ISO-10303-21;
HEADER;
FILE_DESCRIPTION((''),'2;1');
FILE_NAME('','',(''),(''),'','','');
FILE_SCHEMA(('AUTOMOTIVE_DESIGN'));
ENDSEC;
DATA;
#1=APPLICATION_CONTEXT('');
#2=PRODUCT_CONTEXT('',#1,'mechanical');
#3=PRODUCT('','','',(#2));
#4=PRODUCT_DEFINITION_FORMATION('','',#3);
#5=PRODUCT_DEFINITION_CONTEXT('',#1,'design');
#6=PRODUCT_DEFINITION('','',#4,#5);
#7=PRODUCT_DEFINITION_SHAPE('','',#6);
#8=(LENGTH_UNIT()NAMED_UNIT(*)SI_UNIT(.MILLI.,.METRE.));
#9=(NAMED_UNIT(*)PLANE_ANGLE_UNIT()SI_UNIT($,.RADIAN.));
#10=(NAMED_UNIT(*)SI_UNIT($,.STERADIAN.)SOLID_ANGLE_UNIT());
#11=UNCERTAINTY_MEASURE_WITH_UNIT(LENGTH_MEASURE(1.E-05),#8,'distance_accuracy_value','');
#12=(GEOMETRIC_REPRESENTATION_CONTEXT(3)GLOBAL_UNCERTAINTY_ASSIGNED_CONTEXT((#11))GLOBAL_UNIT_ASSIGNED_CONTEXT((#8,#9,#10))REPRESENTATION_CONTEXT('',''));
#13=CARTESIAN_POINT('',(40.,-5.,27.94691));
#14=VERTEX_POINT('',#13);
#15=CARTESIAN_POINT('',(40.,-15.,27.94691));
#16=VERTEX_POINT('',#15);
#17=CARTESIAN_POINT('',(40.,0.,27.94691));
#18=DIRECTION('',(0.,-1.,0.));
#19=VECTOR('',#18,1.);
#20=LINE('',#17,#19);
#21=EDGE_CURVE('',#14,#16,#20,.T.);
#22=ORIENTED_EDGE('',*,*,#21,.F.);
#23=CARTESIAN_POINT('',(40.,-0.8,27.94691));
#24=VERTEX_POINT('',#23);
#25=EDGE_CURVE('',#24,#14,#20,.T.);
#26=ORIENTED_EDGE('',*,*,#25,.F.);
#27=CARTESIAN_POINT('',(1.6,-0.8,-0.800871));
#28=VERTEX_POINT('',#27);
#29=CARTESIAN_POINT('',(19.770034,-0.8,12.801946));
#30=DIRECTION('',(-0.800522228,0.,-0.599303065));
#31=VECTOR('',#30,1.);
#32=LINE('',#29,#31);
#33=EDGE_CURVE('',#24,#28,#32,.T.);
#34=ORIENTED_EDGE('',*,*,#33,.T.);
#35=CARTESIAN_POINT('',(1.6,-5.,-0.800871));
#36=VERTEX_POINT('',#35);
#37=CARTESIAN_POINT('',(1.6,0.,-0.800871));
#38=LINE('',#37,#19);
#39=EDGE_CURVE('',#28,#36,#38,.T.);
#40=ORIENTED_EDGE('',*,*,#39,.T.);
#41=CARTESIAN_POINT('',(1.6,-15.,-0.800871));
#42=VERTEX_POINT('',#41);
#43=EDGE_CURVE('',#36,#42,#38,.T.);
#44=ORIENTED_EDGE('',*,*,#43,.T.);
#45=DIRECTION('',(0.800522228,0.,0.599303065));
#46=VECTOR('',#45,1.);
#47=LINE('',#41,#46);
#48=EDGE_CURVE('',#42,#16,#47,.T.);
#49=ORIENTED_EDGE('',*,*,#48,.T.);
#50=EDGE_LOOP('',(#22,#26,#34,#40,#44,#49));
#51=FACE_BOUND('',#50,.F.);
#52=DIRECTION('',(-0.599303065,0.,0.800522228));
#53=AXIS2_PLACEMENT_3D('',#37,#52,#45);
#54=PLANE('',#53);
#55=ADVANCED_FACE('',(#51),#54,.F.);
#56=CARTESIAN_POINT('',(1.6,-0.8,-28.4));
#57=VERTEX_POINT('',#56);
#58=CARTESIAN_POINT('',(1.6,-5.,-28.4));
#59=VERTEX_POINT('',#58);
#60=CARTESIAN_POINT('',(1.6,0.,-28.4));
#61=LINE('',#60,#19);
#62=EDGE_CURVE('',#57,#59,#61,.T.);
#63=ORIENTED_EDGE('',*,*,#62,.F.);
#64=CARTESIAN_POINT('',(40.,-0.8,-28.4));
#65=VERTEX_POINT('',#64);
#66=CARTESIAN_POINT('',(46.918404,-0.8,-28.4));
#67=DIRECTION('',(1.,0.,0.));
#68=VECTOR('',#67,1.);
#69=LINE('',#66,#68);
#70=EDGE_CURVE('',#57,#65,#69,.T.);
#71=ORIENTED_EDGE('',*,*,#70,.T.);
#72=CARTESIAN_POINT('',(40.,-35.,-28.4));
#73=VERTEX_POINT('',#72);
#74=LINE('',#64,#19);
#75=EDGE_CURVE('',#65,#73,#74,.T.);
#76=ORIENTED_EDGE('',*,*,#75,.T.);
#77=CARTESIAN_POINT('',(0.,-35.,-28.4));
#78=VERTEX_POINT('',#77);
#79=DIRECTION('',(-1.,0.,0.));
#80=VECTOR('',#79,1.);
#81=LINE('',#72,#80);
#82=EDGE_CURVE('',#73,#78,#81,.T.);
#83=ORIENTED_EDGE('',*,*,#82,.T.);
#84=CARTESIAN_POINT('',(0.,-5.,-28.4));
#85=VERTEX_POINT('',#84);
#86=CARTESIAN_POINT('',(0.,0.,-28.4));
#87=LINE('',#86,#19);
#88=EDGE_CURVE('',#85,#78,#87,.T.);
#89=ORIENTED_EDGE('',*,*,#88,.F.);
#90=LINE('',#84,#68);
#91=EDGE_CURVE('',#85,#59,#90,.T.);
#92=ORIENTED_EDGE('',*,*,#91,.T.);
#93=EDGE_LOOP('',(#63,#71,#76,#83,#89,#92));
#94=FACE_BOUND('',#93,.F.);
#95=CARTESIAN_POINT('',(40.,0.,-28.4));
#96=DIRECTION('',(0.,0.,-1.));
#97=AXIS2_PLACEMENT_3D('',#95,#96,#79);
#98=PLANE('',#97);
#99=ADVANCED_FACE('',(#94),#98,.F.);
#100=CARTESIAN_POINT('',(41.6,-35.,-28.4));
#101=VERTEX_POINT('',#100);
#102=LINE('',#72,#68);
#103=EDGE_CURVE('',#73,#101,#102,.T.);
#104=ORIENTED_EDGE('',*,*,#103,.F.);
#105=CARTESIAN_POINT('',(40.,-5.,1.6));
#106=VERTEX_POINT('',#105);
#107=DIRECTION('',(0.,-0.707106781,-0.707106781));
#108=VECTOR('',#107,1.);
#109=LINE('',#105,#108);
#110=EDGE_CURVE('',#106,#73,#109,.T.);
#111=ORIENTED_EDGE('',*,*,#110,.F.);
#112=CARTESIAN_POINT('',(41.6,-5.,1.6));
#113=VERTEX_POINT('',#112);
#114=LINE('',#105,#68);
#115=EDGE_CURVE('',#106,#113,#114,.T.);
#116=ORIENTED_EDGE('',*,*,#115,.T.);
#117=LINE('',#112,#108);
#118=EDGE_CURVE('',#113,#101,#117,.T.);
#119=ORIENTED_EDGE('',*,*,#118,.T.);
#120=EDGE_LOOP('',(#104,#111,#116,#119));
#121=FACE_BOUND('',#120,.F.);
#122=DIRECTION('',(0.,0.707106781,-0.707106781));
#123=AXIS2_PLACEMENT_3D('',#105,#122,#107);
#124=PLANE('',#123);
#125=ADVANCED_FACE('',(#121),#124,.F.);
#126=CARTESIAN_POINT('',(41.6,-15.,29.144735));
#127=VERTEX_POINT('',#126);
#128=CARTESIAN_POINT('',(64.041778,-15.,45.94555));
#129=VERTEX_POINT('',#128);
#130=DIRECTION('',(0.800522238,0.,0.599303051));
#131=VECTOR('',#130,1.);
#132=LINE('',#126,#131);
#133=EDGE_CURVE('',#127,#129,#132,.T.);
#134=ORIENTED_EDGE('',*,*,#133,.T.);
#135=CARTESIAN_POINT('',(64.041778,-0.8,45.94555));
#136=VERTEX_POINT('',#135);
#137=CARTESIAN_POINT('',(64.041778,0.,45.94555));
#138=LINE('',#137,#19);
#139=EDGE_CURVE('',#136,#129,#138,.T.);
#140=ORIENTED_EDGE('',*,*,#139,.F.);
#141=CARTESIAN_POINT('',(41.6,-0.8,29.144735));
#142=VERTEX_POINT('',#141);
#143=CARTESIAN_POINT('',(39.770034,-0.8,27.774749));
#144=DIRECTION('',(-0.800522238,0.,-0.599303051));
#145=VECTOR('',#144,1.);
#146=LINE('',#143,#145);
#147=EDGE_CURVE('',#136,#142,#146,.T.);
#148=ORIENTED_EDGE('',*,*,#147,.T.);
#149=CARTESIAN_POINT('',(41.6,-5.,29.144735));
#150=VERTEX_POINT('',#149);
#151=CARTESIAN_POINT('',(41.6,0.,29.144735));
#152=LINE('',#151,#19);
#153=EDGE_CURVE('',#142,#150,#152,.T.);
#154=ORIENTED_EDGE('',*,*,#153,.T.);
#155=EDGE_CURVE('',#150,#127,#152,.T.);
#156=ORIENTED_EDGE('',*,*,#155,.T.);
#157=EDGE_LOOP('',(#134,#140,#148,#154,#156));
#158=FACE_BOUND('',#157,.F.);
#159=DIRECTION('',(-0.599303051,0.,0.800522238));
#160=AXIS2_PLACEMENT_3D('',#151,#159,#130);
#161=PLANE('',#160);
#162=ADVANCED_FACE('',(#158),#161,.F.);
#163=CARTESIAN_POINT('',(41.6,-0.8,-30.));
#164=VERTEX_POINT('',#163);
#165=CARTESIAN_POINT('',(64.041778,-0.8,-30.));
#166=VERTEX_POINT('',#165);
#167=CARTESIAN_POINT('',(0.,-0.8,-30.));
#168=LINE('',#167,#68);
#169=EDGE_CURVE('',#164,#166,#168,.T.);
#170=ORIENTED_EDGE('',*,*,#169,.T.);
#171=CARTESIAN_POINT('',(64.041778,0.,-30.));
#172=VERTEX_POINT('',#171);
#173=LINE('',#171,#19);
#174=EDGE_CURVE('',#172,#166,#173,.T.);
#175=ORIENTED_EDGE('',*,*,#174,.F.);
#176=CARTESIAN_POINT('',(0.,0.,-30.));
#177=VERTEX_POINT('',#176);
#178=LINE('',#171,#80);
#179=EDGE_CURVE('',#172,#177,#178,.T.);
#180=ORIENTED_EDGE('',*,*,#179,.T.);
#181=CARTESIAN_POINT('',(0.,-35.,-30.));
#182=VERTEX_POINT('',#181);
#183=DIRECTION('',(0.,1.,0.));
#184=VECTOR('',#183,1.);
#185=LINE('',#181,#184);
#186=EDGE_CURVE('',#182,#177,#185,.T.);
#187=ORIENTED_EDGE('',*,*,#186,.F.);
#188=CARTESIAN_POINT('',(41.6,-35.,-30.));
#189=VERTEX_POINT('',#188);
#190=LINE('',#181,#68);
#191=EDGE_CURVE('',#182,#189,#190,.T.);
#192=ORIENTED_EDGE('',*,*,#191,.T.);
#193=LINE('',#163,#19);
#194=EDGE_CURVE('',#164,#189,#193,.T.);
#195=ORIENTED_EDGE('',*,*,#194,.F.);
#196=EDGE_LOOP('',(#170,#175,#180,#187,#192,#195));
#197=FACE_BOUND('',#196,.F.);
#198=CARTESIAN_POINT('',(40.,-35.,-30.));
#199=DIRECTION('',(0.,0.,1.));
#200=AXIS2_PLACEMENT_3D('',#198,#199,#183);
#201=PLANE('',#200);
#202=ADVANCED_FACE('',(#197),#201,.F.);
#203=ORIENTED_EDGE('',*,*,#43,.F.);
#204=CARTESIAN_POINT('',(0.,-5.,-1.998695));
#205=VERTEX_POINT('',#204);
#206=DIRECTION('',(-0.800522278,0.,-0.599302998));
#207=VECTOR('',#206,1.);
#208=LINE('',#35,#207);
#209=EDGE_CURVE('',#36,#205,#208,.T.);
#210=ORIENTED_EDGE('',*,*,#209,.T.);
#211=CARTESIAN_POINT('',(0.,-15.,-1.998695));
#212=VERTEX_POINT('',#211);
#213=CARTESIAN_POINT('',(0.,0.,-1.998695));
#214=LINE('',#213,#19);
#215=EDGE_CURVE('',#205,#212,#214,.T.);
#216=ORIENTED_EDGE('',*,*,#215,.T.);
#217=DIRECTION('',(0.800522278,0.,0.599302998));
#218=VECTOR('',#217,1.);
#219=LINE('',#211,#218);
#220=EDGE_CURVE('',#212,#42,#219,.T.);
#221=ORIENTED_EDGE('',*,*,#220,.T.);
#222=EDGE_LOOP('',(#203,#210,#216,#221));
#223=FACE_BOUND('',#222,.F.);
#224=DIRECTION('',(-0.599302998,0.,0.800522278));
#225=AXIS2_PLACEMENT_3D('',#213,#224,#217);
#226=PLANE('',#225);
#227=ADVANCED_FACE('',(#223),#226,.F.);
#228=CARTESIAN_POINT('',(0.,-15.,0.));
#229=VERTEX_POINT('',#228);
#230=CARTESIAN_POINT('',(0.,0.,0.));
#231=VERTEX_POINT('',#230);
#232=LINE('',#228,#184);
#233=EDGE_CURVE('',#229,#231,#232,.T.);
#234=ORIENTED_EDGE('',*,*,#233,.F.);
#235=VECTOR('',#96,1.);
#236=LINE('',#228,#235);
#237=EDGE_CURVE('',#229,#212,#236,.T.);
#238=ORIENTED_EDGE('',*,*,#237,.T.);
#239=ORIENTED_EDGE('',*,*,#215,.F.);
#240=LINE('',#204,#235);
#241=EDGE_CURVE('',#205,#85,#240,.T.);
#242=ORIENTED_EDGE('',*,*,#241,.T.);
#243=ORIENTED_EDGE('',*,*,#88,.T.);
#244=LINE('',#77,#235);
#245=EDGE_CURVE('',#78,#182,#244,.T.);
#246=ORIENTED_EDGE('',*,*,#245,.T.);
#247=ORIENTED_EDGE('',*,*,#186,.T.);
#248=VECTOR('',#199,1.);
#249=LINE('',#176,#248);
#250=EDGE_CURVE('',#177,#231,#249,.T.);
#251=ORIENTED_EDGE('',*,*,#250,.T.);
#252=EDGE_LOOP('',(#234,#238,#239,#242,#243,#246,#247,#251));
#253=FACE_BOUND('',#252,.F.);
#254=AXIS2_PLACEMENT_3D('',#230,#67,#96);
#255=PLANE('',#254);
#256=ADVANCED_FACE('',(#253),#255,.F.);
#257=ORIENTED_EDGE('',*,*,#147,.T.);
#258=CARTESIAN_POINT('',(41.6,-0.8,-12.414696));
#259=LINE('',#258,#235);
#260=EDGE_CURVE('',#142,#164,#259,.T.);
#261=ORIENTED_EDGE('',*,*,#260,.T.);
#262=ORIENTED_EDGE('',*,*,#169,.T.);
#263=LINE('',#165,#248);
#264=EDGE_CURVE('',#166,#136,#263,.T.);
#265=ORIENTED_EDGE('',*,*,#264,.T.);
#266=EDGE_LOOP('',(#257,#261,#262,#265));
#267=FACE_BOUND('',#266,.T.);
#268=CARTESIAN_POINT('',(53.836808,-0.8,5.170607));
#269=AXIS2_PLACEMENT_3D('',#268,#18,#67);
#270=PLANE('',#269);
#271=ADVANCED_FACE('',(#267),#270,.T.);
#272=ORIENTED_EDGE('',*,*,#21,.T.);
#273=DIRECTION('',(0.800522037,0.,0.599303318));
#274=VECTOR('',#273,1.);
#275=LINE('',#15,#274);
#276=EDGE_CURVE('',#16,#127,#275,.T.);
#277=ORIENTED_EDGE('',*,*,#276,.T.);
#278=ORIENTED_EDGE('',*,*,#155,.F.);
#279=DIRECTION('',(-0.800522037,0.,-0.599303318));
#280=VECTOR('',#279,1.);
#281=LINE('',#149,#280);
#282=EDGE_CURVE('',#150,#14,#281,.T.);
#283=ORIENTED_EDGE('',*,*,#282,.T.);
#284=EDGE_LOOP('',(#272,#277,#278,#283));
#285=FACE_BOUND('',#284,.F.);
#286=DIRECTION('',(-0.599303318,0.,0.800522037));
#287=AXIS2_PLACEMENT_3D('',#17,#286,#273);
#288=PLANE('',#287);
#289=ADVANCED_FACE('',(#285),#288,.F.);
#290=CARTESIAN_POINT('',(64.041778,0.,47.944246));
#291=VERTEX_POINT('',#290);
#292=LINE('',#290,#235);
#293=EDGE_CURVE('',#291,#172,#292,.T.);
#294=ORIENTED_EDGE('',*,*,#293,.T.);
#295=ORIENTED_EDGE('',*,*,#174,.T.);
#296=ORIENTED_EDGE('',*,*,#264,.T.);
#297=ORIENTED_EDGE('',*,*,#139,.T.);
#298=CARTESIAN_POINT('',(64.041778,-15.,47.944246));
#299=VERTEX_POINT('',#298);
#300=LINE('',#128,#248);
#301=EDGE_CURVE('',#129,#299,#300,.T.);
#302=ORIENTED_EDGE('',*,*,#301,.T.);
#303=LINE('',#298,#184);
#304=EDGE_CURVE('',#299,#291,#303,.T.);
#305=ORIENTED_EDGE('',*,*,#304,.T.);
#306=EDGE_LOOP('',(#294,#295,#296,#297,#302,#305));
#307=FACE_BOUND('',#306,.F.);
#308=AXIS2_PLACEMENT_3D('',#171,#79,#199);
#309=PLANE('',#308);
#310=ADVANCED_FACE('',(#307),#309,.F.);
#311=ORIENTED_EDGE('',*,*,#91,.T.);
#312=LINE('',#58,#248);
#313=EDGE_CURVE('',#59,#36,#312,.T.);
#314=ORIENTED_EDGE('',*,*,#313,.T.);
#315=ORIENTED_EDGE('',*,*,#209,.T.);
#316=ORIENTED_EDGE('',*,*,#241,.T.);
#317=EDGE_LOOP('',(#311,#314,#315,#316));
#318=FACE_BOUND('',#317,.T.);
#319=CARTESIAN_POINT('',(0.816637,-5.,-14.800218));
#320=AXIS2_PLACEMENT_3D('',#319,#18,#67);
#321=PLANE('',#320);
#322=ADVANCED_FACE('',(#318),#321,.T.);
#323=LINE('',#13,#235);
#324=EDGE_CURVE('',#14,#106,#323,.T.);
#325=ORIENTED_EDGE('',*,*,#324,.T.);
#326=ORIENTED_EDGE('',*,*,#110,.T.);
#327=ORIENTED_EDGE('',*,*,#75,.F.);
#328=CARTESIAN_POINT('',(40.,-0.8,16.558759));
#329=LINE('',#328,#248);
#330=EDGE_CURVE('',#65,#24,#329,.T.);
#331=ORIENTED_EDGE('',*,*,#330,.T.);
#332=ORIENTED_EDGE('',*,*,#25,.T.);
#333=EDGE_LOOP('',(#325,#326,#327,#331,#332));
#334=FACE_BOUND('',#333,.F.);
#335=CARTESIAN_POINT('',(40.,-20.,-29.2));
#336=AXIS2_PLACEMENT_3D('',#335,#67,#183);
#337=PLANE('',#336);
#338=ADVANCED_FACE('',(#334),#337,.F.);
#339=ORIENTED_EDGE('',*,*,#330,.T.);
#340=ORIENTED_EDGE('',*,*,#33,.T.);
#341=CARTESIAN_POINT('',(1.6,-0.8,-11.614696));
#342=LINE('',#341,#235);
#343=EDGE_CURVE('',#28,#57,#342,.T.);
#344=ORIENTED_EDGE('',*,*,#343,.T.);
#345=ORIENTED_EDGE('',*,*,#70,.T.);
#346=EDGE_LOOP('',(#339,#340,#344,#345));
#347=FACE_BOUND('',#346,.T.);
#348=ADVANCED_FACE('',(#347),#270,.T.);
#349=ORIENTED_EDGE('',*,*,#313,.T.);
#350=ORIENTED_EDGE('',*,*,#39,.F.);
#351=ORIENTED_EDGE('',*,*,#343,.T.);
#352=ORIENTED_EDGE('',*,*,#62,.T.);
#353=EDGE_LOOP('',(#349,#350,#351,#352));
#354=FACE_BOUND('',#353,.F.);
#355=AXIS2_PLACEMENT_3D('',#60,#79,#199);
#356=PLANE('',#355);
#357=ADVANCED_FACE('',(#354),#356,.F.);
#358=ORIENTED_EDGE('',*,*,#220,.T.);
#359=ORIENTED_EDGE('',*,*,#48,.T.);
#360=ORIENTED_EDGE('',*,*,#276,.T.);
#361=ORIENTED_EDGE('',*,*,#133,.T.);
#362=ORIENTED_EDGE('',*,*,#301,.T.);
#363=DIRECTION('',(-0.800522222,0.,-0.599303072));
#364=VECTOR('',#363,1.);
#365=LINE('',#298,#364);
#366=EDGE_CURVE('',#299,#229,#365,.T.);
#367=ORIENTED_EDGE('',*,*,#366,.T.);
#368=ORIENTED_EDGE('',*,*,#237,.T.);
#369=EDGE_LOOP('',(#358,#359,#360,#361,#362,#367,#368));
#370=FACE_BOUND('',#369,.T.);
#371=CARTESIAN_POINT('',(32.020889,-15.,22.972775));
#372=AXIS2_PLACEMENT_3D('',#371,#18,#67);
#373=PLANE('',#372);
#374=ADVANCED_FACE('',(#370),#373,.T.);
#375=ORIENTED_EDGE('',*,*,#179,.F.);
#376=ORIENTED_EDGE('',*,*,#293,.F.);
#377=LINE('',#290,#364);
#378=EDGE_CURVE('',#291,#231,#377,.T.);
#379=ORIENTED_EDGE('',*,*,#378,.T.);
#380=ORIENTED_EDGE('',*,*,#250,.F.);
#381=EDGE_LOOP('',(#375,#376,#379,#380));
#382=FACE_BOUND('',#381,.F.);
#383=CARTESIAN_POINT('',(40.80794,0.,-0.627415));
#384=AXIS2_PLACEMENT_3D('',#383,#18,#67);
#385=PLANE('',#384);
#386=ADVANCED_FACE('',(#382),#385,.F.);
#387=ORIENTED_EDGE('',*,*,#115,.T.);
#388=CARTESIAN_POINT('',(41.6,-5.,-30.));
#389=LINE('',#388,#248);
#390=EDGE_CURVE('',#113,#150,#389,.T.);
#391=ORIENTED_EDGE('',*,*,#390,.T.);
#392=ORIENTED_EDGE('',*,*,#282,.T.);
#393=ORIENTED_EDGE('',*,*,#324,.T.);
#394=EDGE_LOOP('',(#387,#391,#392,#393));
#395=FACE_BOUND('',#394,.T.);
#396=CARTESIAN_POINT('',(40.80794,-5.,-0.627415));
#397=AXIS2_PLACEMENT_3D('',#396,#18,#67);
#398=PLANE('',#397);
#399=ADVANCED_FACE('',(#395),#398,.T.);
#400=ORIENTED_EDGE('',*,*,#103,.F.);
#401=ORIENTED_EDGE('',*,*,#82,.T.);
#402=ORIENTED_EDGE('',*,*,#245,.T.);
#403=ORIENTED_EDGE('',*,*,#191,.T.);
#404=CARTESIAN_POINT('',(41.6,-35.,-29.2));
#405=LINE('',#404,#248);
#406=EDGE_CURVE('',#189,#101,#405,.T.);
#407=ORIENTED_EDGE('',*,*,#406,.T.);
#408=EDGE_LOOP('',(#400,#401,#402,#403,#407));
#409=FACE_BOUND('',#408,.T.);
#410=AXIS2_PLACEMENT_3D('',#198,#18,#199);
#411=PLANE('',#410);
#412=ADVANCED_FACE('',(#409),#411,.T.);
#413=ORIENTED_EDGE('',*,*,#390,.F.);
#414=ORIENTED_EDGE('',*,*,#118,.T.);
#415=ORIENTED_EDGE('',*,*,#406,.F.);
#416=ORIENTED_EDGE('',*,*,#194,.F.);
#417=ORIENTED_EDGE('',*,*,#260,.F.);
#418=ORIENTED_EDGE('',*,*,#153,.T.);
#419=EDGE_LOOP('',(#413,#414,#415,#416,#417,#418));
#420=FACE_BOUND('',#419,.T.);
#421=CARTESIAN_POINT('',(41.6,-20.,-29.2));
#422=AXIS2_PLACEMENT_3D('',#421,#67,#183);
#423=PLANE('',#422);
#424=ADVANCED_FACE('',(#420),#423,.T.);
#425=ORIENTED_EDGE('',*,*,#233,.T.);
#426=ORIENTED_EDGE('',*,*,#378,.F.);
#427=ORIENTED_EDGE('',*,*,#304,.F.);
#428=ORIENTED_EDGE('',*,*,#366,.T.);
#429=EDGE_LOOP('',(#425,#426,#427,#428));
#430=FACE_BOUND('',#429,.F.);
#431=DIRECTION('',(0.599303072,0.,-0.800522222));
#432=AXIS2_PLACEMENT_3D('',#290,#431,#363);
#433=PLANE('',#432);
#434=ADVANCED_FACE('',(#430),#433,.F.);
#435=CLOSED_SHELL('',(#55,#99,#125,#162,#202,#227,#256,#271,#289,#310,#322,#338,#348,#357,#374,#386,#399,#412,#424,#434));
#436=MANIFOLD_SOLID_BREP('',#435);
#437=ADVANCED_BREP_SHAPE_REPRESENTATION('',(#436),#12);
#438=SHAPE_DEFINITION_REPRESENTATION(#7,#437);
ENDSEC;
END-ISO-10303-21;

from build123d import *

# Parameters (mm, degrees)
F1_DEPTH = 0.8
F2_DEPTH = 35
F3_DEPTH = 15
F4_DEPTH = 5
F5_W     = 30
F5_H     = 1.6
F6_DEPTH = 1.6


with BuildPart() as f1:
    # F0 (on Front) → F1 (new body)
    with BuildSketch(Plane.XZ):
        Polygon((64.041778, -30), (64.041778, 45.94555), (41.6, 29.144735), (41.6, -30), align=None)
        Polygon((1.6, -0.800871), (0, -1.998695), (0, -28.4), (1.6, -28.4), align=None)
        Polygon((1.6, -28.4), (0, -28.4), (0, -30), (40, -30), (40, -28.4), align=None)
        Polygon((64.041778, 47.944246), (0, 0), (0, -1.998695), (1.6, -0.800871), (40, 27.94691), (41.6, 29.144735), (64.041778, 45.94555), align=None)
        Polygon((41.6, -30), (41.6, 29.144735), (40, 27.94691), (40, -28.4), (40, -30), align=None)
        Polygon((40, 27.94691), (1.6, -0.800871), (1.6, -28.4), (40, -28.4), align=None)
    extrude(amount=F1_DEPTH)

    # F0 (on Front) → F2 (join)
    with BuildSketch(Plane.XZ):
        Polygon((1.6, -28.4), (0, -28.4), (0, -30), (40, -30), (40, -28.4), align=None)
    extrude(amount=F2_DEPTH)

    # F0 (on Front) → F3 (join)
    with BuildSketch(Plane.XZ):
        Polygon((64.041778, 47.944246), (0, 0), (0, -1.998695), (1.6, -0.800871), (40, 27.94691), (41.6, 29.144735), (64.041778, 45.94555), align=None)
    extrude(amount=F3_DEPTH)

    # F0 (on Front) → F4 (join)
    with BuildSketch(Plane.XZ):
        Polygon((41.6, -30), (41.6, 29.144735), (40, 27.94691), (40, -28.4), (40, -30), align=None)
        Polygon((1.6, -0.800871), (0, -1.998695), (0, -28.4), (1.6, -28.4), align=None)
    extrude(amount=F4_DEPTH)

    # F5 (on face) → F6 (join)
    with BuildSketch(Plane.YZ.offset(40)):
        with Locations((-20, -29.2)):
            Rectangle(F5_W, F5_H)
        Polygon((-5, 1.6), (-35, -28.4), (-5, -28.4), align=None)
    extrude(amount=F6_DEPTH)


solid = f1.part
